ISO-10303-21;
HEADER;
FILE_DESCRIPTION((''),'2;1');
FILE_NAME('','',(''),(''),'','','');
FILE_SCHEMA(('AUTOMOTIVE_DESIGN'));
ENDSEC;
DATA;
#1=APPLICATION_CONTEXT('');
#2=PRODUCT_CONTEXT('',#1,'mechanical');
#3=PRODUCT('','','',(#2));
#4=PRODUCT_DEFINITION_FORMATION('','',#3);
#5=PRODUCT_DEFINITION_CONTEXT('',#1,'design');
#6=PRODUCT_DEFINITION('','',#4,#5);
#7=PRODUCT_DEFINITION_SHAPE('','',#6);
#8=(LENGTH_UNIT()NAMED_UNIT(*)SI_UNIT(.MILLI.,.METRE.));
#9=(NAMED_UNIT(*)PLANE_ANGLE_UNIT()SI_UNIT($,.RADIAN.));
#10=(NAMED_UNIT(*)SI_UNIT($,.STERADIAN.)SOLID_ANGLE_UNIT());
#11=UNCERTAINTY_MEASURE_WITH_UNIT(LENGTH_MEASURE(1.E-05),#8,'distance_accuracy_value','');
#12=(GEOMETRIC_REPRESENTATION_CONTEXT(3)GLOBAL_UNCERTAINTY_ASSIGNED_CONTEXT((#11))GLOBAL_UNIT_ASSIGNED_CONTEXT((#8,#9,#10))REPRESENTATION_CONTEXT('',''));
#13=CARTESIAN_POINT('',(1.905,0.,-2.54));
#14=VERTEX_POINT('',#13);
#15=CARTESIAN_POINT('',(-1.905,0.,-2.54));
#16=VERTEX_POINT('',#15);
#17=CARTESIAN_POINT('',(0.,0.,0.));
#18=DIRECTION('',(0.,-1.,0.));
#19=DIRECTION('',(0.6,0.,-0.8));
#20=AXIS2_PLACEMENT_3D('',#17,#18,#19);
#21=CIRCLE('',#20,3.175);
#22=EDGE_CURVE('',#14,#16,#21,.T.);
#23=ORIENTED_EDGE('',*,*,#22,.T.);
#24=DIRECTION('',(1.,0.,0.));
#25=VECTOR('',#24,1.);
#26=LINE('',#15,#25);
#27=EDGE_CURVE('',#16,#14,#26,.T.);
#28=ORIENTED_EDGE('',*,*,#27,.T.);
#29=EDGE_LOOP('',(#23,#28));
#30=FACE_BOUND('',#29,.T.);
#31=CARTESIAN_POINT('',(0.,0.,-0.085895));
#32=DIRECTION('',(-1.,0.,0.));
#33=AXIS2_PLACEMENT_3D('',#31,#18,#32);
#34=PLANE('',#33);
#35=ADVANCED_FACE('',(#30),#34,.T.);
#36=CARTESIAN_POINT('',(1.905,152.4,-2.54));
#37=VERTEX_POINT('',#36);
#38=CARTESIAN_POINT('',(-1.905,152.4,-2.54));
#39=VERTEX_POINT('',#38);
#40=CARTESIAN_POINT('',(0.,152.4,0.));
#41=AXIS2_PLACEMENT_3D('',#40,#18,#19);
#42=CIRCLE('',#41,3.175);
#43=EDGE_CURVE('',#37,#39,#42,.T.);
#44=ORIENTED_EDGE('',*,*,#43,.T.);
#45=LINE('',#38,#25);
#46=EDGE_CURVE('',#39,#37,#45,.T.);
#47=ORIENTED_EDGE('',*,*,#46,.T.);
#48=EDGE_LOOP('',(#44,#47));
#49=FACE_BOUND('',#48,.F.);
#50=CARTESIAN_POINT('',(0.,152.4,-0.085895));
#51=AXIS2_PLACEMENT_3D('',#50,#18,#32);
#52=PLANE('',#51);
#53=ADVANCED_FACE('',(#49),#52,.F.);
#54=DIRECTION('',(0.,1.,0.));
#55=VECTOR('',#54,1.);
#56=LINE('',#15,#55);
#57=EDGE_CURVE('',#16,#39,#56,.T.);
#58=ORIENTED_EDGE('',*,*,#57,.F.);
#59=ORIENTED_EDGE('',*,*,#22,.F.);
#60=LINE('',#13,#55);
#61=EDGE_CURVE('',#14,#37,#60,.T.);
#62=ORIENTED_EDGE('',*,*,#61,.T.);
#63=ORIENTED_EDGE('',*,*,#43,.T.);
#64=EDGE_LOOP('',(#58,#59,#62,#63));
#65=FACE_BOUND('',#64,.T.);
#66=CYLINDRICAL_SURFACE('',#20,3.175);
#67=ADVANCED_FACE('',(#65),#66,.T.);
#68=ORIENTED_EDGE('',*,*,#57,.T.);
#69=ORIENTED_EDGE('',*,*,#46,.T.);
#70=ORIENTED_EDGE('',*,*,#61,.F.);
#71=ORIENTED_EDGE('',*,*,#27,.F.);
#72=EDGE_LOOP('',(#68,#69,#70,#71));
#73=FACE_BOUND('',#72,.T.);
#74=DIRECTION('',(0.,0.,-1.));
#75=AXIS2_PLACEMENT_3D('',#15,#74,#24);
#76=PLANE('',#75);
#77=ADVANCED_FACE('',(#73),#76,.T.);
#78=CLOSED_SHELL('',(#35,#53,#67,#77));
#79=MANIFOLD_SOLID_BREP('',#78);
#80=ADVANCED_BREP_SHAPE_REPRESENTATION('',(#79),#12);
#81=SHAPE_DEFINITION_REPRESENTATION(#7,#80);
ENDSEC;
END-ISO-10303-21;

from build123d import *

# Parameters (mm, degrees)
BOSS_EXTRUDE1_DEPTH = 152.4


with BuildPart() as part:
    # Sketch1 → Boss-Extrude1 (new body)
    with BuildSketch(Plane(origin=(0, 0, 0), x_dir=(1, 0, 0), z_dir=(0, 1, 0))):
        with BuildLine():
            Line((-1.905, 2.54), (1.905, 2.54))
            ThreePointArc((1.905, 2.54), (0, -3.175), (-1.905, 2.54))
        make_face()
    extrude(amount=BOSS_EXTRUDE1_DEPTH)


solid = part.part
